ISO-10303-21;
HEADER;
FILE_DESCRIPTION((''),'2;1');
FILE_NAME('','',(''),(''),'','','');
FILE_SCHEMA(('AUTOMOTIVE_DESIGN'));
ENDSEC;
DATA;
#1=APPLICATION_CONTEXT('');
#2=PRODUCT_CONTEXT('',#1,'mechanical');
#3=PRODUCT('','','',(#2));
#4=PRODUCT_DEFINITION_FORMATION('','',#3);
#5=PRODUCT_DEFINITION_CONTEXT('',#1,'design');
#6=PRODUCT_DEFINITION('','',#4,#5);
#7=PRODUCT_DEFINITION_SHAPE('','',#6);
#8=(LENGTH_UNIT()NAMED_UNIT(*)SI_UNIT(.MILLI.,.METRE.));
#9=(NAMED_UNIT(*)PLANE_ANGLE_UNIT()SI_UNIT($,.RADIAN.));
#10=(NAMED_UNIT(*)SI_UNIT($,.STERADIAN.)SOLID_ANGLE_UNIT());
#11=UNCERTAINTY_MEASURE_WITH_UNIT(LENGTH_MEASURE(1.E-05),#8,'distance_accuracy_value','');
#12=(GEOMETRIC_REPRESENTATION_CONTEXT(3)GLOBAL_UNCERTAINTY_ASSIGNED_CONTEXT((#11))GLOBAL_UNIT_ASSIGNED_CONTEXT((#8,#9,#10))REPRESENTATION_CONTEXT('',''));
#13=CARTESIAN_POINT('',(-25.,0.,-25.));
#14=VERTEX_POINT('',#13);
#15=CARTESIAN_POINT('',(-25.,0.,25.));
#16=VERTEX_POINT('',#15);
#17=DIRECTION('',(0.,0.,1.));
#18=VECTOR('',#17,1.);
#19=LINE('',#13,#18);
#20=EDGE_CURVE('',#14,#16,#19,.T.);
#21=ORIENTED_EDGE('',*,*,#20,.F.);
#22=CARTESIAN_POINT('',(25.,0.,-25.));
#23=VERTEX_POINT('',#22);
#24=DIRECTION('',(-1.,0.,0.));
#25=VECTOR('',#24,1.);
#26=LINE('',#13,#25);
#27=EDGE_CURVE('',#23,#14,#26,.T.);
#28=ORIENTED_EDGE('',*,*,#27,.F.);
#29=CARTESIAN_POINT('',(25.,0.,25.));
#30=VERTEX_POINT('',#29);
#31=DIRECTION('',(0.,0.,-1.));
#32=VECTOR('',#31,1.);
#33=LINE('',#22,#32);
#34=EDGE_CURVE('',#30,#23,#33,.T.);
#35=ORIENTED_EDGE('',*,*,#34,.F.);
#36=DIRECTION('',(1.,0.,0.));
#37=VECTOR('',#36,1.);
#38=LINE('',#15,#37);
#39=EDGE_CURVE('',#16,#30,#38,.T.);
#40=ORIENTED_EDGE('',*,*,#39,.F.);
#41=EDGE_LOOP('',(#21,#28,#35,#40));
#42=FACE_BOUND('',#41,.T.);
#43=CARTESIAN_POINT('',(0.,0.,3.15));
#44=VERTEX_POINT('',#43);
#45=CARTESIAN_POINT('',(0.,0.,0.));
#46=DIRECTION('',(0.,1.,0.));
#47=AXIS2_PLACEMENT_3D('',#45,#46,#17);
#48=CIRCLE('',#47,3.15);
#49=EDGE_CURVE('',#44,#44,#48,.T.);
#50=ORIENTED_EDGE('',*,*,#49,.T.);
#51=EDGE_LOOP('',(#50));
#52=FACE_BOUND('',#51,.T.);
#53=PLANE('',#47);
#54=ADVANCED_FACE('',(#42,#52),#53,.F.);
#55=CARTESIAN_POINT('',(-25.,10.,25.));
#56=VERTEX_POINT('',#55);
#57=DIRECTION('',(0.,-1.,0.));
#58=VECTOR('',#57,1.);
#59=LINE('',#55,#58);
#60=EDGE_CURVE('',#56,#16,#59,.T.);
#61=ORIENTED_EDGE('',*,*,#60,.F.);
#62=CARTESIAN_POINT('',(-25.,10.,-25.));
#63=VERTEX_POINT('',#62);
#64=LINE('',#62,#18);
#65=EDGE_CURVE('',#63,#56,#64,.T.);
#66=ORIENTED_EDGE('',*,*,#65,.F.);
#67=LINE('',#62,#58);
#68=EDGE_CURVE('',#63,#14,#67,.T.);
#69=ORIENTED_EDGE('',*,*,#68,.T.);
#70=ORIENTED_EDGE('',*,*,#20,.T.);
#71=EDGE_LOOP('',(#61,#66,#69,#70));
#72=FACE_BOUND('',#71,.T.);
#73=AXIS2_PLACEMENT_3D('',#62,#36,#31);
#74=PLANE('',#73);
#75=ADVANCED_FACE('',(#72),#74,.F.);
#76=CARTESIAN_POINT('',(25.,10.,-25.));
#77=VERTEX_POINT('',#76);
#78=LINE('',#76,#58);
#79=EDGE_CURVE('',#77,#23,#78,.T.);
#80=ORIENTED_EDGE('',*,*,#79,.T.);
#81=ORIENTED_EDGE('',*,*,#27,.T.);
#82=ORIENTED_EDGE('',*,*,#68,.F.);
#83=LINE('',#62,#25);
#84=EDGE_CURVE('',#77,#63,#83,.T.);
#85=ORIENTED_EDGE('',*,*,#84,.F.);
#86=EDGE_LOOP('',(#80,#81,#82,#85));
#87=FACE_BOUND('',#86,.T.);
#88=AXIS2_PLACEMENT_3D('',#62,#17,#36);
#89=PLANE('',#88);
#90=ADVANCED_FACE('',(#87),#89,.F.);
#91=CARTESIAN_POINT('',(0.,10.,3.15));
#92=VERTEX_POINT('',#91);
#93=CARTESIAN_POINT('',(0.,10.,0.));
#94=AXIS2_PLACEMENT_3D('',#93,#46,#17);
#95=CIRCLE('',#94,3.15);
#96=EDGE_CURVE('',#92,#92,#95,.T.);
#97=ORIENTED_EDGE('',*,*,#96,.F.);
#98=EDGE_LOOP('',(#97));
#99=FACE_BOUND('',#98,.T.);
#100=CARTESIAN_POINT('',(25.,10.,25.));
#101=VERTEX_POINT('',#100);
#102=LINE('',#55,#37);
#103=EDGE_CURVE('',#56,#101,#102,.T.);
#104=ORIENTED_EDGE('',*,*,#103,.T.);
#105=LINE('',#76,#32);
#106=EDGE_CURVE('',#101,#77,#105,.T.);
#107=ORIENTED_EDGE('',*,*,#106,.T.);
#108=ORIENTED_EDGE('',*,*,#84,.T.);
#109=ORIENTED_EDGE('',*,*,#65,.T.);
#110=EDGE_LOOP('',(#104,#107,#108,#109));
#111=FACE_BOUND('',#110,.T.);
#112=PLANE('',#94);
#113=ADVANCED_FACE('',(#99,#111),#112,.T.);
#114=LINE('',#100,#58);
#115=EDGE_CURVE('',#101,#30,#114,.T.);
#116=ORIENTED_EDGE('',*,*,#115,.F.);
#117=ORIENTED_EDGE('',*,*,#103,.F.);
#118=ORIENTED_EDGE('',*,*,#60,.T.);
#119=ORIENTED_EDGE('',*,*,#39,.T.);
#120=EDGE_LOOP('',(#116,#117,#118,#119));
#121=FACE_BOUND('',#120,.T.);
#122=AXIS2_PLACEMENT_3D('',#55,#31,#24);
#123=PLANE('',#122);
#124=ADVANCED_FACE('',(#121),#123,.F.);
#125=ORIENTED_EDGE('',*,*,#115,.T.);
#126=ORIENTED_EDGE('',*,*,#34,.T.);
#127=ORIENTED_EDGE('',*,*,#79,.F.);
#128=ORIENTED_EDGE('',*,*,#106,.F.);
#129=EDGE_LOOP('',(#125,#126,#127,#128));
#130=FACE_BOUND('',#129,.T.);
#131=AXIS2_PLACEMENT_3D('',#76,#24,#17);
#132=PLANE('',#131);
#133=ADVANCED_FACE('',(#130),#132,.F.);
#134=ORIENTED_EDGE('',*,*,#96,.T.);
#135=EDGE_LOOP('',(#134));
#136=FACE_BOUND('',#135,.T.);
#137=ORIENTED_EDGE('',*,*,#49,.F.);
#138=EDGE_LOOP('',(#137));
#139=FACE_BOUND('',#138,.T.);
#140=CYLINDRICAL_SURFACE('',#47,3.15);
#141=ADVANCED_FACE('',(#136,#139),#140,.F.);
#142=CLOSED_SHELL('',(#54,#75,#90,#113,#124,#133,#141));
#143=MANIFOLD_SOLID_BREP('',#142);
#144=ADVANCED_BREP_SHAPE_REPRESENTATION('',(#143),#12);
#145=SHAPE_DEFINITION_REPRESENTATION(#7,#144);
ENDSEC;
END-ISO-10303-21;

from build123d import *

# Parameters (mm, degrees)
SKETCH1_W           = 50
SKETCH1_H           = 50
BOSS_EXTRUDE1_DEPTH = 10
SKETCH2_R           = 3.15
CUT_EXTRUDE1_DEPTH  = 10


with BuildPart() as part:
    # Sketch1 → Boss-Extrude1 (new body)
    with BuildSketch(Plane(origin=(0, 0, 0), x_dir=(1, 0, 0), z_dir=(0, 1, 0))):
        Rectangle(SKETCH1_W, SKETCH1_H)
    extrude(amount=BOSS_EXTRUDE1_DEPTH)

    # Sketch2 → Cut-Extrude1 (cut)
    with BuildSketch(Plane(origin=(0, 10, 0), x_dir=(1, 0, 0), z_dir=(0, 1, 0))):
        with Locations(Location((0, 0, 0), (0, 0, 270))):
            Circle(SKETCH2_R)
    extrude(amount=-CUT_EXTRUDE1_DEPTH, mode=Mode.SUBTRACT)


solid = part.part
